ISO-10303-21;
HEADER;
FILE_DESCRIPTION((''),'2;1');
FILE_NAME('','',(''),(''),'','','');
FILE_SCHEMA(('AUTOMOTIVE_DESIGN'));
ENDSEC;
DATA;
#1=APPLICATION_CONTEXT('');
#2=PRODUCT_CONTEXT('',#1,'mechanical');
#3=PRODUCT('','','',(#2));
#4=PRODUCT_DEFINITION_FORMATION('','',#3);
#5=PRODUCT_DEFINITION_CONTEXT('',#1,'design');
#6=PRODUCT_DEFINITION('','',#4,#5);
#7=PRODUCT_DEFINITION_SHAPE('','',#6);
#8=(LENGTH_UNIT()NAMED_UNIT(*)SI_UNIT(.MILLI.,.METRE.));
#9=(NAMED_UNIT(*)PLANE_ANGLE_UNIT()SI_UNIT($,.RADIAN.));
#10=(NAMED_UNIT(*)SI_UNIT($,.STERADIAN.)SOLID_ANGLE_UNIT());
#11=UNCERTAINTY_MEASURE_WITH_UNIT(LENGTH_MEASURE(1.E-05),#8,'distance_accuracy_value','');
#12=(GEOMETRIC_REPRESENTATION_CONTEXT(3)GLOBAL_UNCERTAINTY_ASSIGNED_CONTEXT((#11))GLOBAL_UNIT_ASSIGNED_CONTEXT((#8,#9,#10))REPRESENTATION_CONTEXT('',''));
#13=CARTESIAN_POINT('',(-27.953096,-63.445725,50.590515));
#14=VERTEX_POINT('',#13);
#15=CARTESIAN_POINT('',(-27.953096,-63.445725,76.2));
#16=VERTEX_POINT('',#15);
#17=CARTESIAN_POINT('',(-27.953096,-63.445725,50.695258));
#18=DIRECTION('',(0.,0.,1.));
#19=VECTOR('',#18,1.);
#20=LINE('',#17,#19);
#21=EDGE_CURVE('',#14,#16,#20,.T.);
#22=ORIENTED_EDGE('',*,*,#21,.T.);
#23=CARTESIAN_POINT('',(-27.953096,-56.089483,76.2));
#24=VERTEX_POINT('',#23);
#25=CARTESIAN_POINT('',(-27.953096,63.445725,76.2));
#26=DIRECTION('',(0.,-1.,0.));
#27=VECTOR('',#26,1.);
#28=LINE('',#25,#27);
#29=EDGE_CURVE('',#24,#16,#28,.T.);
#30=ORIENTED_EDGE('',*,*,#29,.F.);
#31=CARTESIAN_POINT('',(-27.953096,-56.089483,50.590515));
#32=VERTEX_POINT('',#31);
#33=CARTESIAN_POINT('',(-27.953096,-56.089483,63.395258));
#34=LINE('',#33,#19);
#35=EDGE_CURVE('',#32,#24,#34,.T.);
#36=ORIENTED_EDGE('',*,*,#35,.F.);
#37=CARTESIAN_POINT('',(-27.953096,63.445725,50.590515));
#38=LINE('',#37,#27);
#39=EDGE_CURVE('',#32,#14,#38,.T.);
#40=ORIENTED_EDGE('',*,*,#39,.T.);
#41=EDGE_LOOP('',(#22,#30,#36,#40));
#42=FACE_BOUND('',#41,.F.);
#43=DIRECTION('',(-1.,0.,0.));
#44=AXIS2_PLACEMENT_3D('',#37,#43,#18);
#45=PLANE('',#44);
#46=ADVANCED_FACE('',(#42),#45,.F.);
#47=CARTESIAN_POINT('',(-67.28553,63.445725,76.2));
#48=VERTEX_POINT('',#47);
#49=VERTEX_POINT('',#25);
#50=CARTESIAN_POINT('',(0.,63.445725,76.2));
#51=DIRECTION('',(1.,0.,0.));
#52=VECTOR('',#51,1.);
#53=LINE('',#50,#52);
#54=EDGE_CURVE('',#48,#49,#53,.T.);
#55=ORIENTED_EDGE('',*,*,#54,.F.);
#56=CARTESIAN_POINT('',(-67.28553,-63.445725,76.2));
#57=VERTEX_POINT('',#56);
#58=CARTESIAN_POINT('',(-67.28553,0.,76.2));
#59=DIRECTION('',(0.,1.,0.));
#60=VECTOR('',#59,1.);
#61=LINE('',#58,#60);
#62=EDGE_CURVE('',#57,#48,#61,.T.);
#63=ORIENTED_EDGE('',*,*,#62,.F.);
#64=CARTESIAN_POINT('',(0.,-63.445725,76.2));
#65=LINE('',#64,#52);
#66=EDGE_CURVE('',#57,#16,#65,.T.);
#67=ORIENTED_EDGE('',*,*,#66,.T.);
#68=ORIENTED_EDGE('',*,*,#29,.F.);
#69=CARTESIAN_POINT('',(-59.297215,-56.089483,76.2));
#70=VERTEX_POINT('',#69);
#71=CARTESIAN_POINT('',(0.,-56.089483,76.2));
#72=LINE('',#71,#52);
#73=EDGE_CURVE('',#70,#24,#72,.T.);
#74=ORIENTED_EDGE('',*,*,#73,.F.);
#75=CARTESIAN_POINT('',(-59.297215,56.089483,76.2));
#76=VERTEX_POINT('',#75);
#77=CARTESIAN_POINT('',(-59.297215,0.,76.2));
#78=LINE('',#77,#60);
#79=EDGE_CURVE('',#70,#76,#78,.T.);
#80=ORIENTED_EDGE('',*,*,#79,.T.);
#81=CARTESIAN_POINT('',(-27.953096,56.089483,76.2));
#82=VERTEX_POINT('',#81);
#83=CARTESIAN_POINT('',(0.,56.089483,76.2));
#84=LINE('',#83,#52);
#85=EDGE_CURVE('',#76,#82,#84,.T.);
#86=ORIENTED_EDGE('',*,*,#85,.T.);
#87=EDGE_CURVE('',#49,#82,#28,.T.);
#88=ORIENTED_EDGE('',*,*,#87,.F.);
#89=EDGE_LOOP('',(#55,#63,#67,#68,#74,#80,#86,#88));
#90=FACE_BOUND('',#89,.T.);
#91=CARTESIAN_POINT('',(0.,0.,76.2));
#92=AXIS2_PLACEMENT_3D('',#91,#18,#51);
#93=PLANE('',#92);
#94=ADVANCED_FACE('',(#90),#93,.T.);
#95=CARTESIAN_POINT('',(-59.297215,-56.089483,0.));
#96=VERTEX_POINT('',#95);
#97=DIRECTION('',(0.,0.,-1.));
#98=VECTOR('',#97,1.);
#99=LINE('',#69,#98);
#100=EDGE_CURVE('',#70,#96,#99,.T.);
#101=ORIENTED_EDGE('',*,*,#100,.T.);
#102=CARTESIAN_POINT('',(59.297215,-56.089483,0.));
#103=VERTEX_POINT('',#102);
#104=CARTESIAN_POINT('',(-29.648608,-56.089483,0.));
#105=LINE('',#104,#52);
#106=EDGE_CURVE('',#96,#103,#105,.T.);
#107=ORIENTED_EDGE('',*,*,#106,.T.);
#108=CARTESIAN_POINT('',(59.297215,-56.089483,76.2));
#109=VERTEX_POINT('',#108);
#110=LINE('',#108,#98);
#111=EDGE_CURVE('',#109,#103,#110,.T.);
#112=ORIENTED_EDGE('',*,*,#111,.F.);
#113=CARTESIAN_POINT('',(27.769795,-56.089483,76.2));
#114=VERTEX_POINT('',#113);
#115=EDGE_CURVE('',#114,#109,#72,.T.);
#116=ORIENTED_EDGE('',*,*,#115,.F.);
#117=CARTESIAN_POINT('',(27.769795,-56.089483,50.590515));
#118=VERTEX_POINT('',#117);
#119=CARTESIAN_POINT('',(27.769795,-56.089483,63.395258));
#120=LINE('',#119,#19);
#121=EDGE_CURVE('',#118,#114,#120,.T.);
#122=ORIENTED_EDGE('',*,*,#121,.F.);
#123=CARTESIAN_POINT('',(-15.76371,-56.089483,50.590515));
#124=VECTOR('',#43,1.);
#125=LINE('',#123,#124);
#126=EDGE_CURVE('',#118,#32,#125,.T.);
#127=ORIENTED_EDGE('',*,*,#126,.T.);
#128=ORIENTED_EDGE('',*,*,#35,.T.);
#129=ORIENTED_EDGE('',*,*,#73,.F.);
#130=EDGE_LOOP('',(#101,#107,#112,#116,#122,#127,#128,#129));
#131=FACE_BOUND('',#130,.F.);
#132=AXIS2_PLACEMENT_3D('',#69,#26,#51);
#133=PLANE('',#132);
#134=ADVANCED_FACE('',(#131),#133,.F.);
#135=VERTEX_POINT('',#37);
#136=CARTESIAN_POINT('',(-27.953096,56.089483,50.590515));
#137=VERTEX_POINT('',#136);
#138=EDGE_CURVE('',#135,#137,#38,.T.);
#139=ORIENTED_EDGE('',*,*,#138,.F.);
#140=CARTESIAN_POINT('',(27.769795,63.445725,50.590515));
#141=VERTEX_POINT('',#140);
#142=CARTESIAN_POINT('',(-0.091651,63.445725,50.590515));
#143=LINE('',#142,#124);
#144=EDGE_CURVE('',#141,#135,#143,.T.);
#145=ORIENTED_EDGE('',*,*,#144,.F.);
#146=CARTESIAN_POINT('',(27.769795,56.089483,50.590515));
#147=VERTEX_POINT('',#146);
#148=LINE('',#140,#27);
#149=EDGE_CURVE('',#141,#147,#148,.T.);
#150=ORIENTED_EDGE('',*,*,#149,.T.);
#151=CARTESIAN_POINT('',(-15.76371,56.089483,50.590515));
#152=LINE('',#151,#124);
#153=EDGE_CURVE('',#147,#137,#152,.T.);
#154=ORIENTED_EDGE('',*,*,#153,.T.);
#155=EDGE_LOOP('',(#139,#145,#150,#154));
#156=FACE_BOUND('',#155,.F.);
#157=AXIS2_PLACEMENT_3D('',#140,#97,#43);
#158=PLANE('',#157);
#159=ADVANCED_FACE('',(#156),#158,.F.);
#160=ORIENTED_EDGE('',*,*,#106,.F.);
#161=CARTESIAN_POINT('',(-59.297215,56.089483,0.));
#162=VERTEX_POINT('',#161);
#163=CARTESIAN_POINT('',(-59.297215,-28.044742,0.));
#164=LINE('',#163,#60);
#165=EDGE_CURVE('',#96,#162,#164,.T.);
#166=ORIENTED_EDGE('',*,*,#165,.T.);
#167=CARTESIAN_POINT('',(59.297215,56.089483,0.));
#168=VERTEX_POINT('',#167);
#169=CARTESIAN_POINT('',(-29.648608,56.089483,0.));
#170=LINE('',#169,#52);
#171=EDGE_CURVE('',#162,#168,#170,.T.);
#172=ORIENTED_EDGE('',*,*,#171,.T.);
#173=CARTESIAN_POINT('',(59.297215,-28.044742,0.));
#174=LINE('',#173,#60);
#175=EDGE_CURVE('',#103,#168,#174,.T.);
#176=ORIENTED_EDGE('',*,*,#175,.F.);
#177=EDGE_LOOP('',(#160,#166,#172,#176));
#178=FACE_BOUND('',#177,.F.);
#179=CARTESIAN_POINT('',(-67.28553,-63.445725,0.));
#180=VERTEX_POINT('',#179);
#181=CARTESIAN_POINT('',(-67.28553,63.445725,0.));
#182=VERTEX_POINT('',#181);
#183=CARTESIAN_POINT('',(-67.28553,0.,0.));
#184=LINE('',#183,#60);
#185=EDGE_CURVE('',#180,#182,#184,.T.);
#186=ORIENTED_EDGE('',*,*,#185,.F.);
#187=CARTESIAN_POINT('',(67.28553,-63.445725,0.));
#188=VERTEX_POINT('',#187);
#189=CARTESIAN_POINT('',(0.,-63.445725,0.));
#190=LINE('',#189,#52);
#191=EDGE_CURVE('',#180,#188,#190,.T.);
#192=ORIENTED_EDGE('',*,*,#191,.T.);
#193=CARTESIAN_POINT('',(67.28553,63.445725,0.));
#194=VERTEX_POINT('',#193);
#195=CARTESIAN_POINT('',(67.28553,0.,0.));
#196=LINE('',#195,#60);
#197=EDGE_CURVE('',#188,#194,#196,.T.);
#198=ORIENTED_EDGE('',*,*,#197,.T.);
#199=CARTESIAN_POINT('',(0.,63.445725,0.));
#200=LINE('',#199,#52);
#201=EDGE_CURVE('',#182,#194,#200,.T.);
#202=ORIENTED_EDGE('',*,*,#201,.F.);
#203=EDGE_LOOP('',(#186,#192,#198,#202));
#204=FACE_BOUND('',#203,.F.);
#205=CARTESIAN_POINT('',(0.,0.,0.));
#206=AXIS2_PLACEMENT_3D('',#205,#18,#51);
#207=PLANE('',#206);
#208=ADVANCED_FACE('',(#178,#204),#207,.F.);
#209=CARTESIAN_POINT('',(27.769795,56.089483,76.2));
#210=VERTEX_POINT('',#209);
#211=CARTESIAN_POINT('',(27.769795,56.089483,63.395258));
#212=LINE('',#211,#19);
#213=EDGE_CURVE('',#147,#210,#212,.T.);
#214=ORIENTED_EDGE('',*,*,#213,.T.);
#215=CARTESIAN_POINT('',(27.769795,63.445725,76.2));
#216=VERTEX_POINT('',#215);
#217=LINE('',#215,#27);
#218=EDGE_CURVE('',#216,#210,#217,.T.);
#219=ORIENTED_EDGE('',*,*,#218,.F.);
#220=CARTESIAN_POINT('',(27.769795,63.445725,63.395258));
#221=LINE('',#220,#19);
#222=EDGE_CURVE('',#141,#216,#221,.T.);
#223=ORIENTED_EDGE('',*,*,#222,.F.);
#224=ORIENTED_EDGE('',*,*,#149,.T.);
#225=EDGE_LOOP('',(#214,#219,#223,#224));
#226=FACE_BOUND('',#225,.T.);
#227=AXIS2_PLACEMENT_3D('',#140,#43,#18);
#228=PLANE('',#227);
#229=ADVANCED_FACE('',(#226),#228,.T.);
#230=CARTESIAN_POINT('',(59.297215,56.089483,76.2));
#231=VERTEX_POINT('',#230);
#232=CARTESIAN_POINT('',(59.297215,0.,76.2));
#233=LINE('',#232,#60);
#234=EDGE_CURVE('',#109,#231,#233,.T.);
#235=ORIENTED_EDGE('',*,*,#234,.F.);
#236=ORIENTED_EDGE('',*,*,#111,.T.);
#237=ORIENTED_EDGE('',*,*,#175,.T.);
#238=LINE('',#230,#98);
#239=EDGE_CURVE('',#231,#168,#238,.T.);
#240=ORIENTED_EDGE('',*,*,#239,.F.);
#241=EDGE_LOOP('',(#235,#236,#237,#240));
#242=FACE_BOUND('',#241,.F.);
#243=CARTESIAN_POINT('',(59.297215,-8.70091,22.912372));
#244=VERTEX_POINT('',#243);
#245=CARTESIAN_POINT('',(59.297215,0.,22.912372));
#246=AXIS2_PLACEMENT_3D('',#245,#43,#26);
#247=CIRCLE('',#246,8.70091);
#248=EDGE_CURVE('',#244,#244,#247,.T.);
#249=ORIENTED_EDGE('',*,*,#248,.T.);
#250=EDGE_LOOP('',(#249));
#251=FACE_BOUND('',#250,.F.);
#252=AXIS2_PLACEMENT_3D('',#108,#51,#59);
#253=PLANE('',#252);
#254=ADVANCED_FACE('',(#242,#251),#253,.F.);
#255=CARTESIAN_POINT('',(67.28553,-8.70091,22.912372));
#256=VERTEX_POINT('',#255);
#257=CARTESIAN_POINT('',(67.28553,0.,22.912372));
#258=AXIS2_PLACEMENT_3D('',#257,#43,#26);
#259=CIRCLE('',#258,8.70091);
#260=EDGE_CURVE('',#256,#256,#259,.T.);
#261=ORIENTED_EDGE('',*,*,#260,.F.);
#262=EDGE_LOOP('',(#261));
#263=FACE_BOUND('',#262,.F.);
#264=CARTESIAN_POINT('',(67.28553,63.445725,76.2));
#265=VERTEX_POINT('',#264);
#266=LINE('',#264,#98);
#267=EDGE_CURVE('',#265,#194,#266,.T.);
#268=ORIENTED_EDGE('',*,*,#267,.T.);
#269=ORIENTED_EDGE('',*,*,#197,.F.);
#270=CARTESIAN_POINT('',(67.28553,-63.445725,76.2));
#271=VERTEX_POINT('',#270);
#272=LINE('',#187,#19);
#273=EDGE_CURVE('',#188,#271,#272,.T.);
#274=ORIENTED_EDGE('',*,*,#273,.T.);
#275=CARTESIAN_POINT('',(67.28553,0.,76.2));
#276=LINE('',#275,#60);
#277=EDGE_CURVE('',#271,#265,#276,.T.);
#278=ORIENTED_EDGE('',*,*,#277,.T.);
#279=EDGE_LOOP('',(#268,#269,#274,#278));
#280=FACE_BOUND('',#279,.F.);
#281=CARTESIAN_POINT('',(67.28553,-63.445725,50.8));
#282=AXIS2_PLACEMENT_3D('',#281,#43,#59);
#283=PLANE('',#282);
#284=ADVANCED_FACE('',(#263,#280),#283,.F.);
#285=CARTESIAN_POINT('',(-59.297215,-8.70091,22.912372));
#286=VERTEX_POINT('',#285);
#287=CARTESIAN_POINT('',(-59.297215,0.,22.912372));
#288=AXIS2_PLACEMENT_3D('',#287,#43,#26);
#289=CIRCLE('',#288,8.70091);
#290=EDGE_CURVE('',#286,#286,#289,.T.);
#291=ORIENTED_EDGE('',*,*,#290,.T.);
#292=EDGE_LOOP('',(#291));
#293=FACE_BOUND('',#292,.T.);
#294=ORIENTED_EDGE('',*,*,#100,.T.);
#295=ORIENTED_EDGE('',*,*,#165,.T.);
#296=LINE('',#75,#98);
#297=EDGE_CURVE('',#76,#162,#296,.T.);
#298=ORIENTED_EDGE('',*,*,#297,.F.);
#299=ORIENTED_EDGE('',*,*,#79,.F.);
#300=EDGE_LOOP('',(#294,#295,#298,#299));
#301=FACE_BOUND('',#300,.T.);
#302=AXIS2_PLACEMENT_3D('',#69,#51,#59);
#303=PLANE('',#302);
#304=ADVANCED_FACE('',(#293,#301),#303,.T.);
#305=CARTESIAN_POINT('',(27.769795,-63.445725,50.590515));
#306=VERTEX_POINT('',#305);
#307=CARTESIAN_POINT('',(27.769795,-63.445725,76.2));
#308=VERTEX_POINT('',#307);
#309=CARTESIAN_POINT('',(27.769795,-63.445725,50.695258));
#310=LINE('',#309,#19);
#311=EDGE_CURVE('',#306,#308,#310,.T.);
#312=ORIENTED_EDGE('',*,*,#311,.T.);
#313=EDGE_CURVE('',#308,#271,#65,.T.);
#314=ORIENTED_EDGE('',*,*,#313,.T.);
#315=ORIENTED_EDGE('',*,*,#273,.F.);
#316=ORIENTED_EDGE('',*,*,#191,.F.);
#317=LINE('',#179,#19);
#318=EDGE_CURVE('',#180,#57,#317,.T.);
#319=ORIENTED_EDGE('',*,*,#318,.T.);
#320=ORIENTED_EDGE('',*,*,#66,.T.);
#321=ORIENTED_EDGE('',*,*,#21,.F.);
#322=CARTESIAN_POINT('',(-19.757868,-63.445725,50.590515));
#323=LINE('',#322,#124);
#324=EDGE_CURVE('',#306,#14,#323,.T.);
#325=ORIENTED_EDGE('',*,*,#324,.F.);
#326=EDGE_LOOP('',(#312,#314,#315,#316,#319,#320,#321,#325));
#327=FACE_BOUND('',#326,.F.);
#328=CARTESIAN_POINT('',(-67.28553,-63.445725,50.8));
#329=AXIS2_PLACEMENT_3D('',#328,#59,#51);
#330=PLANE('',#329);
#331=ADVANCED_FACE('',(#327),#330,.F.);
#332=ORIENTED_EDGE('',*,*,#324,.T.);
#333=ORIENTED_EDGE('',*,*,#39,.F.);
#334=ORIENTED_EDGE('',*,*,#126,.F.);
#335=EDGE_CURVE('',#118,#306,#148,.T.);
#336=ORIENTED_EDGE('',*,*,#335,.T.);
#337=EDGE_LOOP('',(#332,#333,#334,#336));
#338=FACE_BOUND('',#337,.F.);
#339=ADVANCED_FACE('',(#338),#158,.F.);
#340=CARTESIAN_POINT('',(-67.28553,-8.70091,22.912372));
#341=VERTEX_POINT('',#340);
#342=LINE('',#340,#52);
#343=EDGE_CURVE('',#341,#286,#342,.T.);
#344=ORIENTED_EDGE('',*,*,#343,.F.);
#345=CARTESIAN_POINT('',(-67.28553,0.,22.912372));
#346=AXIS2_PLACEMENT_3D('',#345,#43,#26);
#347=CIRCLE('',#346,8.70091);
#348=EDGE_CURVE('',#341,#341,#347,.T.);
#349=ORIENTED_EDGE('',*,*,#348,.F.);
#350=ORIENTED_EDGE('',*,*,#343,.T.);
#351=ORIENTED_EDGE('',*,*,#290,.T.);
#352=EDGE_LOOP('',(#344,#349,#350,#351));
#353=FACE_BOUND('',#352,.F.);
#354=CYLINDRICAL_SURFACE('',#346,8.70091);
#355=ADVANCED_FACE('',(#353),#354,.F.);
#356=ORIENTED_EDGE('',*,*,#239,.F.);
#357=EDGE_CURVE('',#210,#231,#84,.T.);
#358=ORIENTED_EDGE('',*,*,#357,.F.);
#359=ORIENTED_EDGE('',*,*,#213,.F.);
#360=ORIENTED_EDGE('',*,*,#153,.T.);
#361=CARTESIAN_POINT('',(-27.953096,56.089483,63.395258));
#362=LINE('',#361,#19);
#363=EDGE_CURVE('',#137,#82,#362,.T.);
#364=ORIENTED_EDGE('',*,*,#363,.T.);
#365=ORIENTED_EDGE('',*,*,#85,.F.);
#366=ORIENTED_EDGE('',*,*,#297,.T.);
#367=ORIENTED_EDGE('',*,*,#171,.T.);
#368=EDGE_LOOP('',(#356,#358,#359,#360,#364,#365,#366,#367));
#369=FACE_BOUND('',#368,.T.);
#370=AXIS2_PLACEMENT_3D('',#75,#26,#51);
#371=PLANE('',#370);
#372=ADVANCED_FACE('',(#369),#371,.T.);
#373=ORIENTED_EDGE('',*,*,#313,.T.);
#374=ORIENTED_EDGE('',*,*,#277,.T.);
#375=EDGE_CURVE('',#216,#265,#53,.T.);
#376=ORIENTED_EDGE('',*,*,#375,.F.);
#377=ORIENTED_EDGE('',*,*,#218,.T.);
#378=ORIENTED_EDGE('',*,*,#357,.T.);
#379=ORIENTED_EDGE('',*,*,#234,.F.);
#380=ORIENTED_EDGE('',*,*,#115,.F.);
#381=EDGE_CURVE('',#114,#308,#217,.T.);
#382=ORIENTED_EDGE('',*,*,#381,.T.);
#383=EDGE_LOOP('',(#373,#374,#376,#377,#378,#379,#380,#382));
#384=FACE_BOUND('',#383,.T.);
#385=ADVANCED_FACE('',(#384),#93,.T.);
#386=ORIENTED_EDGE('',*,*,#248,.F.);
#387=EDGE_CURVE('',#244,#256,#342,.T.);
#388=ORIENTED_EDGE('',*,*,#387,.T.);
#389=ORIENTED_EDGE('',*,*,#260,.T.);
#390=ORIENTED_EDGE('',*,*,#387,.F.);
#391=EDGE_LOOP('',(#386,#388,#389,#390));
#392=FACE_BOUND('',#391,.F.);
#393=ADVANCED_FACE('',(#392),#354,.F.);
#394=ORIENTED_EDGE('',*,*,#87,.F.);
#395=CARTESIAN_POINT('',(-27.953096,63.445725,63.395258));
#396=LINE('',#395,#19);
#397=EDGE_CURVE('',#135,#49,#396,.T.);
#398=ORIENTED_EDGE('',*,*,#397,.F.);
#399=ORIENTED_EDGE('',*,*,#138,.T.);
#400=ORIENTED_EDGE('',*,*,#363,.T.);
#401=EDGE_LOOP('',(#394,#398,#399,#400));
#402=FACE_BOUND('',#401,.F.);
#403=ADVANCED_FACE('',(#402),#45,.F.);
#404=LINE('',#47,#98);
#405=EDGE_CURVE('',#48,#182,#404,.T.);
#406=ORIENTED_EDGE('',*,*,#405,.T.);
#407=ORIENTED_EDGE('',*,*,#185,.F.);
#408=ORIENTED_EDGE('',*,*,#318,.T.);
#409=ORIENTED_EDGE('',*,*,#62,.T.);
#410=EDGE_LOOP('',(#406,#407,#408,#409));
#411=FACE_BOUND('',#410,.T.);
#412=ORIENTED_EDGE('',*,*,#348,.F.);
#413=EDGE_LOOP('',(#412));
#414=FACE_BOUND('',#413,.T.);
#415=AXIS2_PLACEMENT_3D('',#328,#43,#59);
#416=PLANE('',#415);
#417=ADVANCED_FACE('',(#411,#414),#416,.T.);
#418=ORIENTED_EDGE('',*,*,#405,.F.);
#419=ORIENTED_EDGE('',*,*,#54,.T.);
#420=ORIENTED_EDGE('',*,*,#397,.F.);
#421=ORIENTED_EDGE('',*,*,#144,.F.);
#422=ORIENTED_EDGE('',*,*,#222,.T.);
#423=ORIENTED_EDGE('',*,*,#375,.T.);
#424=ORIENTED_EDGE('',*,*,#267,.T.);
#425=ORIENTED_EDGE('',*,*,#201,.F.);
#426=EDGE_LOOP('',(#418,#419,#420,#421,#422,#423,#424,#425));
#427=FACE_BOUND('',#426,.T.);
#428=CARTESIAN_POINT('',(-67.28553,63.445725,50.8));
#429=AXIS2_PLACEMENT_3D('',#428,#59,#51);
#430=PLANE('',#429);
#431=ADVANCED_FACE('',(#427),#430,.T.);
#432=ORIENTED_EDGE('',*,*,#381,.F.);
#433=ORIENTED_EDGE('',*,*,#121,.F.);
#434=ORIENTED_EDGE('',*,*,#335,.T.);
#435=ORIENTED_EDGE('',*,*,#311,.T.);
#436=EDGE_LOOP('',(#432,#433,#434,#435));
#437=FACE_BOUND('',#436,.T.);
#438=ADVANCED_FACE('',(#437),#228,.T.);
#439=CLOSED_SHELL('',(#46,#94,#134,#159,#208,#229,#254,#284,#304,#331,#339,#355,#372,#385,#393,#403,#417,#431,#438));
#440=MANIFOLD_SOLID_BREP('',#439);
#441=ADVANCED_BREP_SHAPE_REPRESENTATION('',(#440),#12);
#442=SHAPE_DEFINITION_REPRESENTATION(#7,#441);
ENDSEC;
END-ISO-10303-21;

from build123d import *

# Parameters (mm, degrees)
F0_W     = 134.5710605383
F0_H     = 126.8914490938
F0_W_2   = 120.110668242
F0_H_2   = 106.3882932067
F1_DEPTH = 50.8
F2_R     = 8.7009101407
F3_DEPTH = 508
F4_DEPTH = 25.4
F6_W     = 55.7228904217
F6_H     = 25.6094848633
F7_DEPTH = 584.2
F5_W     = 118.594430387
F5_H     = 112.178966403
F8_DEPTH = 508


with BuildPart() as f1:
    # F0 (on Top) → F1 (new body)
    with BuildSketch(Plane.XY):
        Rectangle(F0_W, F0_H)
        Rectangle(F0_W_2, F0_H_2, mode=Mode.SUBTRACT)
        Rectangle(F0_W_2, F0_H_2)
    extrude(amount=F1_DEPTH)

    # F2 (on face) → F3 (cut)
    with BuildSketch(Plane(origin=(-67.2855302691, 0, 0), x_dir=(0, -1, 0), z_dir=(-1, 0, 0))):
        with Locations((0, 22.9123719037)):
            Circle(F2_R)
    extrude(amount=-F3_DEPTH, mode=Mode.SUBTRACT)

    # F4 (add): a face of the model
    f4_faces = [f1.faces().sort_by_distance(p)[0] for p in [
        (0, 0, 50.8),
    ]]
    extrude(f4_faces, amount=F4_DEPTH)

    # F6 (on face) → F7 (cut)
    with BuildSketch(Plane(origin=(0, 63.4457245469, 0), x_dir=(-1, 0, 0), z_dir=(0, 1, 0))):
        with Locations((0.0916505232, 63.3952575684)):
            Rectangle(F6_W, F6_H)
    extrude(amount=-F7_DEPTH, mode=Mode.SUBTRACT)

    # F5 (on face) → F8 (cut)
    with BuildSketch(Plane.XY.offset(76.2)):
        Rectangle(F5_W, F5_H)
    extrude(amount=-F8_DEPTH, mode=Mode.SUBTRACT)


solid = f1.part
